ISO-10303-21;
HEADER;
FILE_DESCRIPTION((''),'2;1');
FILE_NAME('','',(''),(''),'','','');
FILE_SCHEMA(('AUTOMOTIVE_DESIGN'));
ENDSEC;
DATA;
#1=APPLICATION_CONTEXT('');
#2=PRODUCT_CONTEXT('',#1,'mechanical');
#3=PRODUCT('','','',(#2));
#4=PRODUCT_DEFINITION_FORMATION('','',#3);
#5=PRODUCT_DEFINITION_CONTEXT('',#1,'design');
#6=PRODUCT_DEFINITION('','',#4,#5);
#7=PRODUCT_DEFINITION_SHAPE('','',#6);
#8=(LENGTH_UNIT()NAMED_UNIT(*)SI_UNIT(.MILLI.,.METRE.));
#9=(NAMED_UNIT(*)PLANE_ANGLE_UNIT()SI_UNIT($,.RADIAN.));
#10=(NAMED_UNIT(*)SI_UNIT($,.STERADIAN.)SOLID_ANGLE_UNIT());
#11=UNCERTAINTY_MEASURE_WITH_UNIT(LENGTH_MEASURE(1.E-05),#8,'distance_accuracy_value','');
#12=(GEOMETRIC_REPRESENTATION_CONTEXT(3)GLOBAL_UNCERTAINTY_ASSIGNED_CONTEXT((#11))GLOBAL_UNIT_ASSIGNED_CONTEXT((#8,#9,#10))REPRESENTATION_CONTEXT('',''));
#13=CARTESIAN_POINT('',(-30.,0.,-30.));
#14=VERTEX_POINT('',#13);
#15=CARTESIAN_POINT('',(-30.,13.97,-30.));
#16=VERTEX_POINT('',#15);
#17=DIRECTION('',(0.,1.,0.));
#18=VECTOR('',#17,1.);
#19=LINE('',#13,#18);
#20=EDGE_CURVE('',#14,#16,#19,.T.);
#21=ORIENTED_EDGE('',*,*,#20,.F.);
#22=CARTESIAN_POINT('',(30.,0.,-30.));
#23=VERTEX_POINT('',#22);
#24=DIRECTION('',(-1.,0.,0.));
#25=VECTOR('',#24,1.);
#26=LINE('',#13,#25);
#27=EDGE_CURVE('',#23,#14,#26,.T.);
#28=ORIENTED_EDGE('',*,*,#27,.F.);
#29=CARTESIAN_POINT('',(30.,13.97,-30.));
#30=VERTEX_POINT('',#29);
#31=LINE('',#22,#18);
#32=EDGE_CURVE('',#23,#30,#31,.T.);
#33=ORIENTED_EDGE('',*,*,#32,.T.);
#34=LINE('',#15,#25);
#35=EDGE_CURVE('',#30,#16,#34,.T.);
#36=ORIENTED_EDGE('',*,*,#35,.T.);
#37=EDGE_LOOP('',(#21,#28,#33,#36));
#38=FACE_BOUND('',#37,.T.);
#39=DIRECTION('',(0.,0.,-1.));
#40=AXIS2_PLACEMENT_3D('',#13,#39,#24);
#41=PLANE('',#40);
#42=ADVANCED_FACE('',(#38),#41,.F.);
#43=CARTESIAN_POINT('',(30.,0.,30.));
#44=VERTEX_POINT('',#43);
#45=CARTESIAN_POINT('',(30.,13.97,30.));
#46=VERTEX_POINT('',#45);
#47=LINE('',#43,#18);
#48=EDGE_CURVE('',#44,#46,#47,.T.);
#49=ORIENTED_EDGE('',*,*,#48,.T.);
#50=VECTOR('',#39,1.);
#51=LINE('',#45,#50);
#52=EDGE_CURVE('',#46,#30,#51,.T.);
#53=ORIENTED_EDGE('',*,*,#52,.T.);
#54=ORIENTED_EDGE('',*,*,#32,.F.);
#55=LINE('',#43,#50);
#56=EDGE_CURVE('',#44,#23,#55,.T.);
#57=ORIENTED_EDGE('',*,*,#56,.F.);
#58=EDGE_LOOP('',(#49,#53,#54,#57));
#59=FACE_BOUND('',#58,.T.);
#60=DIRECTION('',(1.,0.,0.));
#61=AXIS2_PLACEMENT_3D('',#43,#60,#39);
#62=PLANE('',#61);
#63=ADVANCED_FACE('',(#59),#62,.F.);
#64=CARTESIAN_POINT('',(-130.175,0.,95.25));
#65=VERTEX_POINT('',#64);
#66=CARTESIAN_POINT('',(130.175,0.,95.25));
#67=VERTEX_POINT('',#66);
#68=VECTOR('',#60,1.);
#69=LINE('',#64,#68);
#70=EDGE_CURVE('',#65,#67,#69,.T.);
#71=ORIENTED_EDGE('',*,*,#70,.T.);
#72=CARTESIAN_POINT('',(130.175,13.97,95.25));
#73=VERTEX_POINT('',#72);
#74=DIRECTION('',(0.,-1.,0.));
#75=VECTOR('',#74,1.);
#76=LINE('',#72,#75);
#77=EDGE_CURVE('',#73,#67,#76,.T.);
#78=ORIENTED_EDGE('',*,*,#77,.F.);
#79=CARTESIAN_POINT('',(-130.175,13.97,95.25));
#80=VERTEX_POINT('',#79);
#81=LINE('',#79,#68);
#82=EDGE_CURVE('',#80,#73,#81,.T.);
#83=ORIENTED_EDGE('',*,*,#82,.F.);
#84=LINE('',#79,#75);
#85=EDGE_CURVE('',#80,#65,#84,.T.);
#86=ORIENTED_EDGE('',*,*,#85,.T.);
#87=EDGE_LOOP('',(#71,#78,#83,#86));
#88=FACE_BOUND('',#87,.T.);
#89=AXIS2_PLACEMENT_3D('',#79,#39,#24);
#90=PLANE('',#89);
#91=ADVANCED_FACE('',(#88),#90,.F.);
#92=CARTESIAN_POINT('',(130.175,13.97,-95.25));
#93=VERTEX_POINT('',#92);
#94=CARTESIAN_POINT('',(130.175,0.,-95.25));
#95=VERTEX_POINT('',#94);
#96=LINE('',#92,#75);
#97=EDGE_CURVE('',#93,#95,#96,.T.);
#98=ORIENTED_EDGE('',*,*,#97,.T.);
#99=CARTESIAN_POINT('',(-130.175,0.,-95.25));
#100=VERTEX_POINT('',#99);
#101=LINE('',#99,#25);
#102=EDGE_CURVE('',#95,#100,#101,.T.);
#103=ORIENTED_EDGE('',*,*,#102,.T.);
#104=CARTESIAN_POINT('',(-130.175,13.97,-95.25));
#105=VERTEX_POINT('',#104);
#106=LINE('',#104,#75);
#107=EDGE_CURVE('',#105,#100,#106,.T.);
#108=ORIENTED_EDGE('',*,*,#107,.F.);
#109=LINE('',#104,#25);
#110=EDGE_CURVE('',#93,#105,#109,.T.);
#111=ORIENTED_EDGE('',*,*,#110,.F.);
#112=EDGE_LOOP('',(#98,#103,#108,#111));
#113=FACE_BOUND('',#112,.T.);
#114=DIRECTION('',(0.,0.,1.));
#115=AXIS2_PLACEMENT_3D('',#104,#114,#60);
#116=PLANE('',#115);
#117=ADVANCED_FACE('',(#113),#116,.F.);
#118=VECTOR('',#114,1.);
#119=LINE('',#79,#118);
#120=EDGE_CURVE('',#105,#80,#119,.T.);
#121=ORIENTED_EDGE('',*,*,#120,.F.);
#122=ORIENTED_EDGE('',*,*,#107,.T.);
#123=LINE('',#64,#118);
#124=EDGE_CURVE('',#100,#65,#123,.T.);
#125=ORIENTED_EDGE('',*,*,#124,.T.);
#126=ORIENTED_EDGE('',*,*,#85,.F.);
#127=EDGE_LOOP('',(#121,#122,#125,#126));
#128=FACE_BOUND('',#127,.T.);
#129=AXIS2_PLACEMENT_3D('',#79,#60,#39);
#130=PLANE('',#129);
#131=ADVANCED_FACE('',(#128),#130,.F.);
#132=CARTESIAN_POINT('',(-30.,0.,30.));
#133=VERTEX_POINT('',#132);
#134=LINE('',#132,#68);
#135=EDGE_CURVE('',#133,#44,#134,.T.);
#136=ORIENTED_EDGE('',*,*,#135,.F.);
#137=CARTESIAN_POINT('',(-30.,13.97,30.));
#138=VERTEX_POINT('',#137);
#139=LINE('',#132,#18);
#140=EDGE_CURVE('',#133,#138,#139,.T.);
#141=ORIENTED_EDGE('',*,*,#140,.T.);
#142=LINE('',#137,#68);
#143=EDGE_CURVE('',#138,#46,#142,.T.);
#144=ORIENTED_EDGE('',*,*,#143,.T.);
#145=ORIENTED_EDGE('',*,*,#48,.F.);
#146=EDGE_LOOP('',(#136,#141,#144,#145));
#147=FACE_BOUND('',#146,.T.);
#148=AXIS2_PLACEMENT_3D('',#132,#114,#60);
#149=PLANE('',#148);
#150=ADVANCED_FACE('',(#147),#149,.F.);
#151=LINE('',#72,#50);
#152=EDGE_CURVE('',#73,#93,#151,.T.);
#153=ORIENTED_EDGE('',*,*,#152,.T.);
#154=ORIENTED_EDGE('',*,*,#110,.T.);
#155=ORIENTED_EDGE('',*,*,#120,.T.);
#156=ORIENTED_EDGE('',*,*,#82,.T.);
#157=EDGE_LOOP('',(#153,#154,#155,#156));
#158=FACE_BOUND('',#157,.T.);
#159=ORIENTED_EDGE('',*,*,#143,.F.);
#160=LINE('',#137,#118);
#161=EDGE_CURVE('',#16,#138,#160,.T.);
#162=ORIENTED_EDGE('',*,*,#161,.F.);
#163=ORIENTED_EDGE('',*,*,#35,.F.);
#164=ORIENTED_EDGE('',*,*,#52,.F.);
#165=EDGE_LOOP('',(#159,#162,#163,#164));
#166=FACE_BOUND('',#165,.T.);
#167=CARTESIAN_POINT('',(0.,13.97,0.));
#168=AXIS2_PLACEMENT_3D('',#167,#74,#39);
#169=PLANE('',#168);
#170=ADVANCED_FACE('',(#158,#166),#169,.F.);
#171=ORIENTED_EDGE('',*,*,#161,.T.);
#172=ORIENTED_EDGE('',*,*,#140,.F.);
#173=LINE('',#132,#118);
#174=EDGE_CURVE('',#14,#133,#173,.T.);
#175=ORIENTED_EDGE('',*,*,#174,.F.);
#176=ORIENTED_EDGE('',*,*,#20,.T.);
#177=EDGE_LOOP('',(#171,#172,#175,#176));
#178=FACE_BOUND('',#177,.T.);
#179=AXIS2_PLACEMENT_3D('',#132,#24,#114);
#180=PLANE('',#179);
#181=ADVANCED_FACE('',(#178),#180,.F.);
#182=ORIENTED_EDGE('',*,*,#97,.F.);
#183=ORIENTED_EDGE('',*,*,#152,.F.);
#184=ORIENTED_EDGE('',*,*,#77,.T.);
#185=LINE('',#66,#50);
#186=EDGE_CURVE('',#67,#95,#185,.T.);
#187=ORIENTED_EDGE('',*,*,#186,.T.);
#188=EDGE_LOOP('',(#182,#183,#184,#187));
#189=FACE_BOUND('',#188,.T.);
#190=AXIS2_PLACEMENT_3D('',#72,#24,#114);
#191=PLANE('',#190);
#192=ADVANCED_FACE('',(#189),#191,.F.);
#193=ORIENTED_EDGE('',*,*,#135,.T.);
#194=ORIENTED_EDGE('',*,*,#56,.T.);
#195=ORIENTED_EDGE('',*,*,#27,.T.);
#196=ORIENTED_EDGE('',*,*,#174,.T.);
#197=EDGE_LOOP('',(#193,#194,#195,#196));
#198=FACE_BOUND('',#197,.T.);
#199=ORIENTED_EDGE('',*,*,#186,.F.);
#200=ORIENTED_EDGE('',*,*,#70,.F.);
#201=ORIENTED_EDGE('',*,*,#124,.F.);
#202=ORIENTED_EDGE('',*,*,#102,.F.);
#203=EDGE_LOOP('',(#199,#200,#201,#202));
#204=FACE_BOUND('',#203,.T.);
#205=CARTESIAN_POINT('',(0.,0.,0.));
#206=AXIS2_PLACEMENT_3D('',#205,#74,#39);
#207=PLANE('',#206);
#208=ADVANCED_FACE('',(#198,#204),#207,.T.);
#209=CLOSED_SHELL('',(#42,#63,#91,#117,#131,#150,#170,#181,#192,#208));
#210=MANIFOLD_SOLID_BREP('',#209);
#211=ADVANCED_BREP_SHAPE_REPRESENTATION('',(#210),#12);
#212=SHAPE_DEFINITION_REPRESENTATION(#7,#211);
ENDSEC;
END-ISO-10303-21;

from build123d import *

# Parameters (mm, degrees)
SKETCH1_W           = 260.35
SKETCH1_H           = 190.5
BOSS_EXTRUDE1_DEPTH = 13.97
SKETCH3_W           = 60
SKETCH3_H           = 60
CUT_EXTRUDE2_DEPTH  = 162.905077206


with BuildPart() as part:
    # Sketch1 → Boss-Extrude1 (new body)
    with BuildSketch(Plane(origin=(0, 0, 0), x_dir=(1, 0, 0), z_dir=(0, 1, 0))):
        Rectangle(SKETCH1_W, SKETCH1_H)
    extrude(amount=BOSS_EXTRUDE1_DEPTH)

    # Sketch3 → Cut-Extrude2 (cut, through all)
    with BuildSketch(Plane(origin=(0, 13.97, 0), x_dir=(1, 0, 0), z_dir=(0, 1, 0))):
        Rectangle(SKETCH3_W, SKETCH3_H)
    extrude(amount=-CUT_EXTRUDE2_DEPTH, mode=Mode.SUBTRACT)


solid = part.part
